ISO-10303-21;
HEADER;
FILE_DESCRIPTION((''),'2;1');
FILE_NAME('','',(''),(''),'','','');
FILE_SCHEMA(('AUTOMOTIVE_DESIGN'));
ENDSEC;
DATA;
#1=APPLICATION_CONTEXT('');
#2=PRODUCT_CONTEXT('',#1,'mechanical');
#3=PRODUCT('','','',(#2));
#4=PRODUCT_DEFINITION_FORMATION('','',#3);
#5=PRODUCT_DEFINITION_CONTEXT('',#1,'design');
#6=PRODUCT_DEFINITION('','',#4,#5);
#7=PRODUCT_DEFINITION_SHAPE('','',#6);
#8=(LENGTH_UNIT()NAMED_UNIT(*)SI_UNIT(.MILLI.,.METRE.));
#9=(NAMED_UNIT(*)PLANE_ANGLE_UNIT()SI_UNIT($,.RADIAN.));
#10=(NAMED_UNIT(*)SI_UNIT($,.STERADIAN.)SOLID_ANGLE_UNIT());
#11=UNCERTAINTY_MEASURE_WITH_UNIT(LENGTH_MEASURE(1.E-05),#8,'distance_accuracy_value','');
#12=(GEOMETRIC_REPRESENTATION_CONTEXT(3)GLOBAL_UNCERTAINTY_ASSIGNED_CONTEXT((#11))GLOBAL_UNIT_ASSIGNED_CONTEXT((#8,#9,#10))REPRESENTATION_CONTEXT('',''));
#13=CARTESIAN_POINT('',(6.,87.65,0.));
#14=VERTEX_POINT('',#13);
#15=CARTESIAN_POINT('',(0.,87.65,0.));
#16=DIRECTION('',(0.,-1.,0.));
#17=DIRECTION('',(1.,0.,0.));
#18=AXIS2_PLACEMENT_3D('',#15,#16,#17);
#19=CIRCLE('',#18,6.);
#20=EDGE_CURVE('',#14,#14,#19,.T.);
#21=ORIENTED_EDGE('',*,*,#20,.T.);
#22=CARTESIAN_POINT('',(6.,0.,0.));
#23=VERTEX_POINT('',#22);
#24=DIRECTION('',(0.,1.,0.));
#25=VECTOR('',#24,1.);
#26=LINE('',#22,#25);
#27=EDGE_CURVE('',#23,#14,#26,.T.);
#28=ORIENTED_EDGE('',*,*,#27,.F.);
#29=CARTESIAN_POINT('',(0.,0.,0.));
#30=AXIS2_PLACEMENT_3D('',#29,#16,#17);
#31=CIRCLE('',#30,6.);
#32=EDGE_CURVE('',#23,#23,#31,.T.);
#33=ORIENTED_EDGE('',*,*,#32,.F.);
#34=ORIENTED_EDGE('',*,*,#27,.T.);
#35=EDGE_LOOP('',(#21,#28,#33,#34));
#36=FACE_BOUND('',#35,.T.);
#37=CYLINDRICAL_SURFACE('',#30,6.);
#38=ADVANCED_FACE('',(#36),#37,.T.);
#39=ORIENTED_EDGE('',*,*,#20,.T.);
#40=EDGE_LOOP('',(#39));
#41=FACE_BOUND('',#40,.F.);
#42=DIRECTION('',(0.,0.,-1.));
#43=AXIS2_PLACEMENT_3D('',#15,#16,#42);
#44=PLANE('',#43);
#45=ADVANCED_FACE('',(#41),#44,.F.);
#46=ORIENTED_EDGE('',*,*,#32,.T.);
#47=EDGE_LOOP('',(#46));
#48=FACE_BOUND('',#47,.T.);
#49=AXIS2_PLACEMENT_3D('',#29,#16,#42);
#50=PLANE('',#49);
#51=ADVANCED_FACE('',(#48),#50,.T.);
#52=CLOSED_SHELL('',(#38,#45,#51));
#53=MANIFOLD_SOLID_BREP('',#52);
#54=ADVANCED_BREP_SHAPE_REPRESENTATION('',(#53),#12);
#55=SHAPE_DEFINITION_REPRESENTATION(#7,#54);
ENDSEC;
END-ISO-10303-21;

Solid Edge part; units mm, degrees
sketch "Sketch1" plane through (0, 0, 0) normal (0, -1, 0) x (1, 0, 0)
  circle A0 centre (0, 0) radius 6
  dimension "D1" = 12
extrude "Protrusion1" add sketch "Sketch1" against normal blind 87.65
properties material "Steel"
